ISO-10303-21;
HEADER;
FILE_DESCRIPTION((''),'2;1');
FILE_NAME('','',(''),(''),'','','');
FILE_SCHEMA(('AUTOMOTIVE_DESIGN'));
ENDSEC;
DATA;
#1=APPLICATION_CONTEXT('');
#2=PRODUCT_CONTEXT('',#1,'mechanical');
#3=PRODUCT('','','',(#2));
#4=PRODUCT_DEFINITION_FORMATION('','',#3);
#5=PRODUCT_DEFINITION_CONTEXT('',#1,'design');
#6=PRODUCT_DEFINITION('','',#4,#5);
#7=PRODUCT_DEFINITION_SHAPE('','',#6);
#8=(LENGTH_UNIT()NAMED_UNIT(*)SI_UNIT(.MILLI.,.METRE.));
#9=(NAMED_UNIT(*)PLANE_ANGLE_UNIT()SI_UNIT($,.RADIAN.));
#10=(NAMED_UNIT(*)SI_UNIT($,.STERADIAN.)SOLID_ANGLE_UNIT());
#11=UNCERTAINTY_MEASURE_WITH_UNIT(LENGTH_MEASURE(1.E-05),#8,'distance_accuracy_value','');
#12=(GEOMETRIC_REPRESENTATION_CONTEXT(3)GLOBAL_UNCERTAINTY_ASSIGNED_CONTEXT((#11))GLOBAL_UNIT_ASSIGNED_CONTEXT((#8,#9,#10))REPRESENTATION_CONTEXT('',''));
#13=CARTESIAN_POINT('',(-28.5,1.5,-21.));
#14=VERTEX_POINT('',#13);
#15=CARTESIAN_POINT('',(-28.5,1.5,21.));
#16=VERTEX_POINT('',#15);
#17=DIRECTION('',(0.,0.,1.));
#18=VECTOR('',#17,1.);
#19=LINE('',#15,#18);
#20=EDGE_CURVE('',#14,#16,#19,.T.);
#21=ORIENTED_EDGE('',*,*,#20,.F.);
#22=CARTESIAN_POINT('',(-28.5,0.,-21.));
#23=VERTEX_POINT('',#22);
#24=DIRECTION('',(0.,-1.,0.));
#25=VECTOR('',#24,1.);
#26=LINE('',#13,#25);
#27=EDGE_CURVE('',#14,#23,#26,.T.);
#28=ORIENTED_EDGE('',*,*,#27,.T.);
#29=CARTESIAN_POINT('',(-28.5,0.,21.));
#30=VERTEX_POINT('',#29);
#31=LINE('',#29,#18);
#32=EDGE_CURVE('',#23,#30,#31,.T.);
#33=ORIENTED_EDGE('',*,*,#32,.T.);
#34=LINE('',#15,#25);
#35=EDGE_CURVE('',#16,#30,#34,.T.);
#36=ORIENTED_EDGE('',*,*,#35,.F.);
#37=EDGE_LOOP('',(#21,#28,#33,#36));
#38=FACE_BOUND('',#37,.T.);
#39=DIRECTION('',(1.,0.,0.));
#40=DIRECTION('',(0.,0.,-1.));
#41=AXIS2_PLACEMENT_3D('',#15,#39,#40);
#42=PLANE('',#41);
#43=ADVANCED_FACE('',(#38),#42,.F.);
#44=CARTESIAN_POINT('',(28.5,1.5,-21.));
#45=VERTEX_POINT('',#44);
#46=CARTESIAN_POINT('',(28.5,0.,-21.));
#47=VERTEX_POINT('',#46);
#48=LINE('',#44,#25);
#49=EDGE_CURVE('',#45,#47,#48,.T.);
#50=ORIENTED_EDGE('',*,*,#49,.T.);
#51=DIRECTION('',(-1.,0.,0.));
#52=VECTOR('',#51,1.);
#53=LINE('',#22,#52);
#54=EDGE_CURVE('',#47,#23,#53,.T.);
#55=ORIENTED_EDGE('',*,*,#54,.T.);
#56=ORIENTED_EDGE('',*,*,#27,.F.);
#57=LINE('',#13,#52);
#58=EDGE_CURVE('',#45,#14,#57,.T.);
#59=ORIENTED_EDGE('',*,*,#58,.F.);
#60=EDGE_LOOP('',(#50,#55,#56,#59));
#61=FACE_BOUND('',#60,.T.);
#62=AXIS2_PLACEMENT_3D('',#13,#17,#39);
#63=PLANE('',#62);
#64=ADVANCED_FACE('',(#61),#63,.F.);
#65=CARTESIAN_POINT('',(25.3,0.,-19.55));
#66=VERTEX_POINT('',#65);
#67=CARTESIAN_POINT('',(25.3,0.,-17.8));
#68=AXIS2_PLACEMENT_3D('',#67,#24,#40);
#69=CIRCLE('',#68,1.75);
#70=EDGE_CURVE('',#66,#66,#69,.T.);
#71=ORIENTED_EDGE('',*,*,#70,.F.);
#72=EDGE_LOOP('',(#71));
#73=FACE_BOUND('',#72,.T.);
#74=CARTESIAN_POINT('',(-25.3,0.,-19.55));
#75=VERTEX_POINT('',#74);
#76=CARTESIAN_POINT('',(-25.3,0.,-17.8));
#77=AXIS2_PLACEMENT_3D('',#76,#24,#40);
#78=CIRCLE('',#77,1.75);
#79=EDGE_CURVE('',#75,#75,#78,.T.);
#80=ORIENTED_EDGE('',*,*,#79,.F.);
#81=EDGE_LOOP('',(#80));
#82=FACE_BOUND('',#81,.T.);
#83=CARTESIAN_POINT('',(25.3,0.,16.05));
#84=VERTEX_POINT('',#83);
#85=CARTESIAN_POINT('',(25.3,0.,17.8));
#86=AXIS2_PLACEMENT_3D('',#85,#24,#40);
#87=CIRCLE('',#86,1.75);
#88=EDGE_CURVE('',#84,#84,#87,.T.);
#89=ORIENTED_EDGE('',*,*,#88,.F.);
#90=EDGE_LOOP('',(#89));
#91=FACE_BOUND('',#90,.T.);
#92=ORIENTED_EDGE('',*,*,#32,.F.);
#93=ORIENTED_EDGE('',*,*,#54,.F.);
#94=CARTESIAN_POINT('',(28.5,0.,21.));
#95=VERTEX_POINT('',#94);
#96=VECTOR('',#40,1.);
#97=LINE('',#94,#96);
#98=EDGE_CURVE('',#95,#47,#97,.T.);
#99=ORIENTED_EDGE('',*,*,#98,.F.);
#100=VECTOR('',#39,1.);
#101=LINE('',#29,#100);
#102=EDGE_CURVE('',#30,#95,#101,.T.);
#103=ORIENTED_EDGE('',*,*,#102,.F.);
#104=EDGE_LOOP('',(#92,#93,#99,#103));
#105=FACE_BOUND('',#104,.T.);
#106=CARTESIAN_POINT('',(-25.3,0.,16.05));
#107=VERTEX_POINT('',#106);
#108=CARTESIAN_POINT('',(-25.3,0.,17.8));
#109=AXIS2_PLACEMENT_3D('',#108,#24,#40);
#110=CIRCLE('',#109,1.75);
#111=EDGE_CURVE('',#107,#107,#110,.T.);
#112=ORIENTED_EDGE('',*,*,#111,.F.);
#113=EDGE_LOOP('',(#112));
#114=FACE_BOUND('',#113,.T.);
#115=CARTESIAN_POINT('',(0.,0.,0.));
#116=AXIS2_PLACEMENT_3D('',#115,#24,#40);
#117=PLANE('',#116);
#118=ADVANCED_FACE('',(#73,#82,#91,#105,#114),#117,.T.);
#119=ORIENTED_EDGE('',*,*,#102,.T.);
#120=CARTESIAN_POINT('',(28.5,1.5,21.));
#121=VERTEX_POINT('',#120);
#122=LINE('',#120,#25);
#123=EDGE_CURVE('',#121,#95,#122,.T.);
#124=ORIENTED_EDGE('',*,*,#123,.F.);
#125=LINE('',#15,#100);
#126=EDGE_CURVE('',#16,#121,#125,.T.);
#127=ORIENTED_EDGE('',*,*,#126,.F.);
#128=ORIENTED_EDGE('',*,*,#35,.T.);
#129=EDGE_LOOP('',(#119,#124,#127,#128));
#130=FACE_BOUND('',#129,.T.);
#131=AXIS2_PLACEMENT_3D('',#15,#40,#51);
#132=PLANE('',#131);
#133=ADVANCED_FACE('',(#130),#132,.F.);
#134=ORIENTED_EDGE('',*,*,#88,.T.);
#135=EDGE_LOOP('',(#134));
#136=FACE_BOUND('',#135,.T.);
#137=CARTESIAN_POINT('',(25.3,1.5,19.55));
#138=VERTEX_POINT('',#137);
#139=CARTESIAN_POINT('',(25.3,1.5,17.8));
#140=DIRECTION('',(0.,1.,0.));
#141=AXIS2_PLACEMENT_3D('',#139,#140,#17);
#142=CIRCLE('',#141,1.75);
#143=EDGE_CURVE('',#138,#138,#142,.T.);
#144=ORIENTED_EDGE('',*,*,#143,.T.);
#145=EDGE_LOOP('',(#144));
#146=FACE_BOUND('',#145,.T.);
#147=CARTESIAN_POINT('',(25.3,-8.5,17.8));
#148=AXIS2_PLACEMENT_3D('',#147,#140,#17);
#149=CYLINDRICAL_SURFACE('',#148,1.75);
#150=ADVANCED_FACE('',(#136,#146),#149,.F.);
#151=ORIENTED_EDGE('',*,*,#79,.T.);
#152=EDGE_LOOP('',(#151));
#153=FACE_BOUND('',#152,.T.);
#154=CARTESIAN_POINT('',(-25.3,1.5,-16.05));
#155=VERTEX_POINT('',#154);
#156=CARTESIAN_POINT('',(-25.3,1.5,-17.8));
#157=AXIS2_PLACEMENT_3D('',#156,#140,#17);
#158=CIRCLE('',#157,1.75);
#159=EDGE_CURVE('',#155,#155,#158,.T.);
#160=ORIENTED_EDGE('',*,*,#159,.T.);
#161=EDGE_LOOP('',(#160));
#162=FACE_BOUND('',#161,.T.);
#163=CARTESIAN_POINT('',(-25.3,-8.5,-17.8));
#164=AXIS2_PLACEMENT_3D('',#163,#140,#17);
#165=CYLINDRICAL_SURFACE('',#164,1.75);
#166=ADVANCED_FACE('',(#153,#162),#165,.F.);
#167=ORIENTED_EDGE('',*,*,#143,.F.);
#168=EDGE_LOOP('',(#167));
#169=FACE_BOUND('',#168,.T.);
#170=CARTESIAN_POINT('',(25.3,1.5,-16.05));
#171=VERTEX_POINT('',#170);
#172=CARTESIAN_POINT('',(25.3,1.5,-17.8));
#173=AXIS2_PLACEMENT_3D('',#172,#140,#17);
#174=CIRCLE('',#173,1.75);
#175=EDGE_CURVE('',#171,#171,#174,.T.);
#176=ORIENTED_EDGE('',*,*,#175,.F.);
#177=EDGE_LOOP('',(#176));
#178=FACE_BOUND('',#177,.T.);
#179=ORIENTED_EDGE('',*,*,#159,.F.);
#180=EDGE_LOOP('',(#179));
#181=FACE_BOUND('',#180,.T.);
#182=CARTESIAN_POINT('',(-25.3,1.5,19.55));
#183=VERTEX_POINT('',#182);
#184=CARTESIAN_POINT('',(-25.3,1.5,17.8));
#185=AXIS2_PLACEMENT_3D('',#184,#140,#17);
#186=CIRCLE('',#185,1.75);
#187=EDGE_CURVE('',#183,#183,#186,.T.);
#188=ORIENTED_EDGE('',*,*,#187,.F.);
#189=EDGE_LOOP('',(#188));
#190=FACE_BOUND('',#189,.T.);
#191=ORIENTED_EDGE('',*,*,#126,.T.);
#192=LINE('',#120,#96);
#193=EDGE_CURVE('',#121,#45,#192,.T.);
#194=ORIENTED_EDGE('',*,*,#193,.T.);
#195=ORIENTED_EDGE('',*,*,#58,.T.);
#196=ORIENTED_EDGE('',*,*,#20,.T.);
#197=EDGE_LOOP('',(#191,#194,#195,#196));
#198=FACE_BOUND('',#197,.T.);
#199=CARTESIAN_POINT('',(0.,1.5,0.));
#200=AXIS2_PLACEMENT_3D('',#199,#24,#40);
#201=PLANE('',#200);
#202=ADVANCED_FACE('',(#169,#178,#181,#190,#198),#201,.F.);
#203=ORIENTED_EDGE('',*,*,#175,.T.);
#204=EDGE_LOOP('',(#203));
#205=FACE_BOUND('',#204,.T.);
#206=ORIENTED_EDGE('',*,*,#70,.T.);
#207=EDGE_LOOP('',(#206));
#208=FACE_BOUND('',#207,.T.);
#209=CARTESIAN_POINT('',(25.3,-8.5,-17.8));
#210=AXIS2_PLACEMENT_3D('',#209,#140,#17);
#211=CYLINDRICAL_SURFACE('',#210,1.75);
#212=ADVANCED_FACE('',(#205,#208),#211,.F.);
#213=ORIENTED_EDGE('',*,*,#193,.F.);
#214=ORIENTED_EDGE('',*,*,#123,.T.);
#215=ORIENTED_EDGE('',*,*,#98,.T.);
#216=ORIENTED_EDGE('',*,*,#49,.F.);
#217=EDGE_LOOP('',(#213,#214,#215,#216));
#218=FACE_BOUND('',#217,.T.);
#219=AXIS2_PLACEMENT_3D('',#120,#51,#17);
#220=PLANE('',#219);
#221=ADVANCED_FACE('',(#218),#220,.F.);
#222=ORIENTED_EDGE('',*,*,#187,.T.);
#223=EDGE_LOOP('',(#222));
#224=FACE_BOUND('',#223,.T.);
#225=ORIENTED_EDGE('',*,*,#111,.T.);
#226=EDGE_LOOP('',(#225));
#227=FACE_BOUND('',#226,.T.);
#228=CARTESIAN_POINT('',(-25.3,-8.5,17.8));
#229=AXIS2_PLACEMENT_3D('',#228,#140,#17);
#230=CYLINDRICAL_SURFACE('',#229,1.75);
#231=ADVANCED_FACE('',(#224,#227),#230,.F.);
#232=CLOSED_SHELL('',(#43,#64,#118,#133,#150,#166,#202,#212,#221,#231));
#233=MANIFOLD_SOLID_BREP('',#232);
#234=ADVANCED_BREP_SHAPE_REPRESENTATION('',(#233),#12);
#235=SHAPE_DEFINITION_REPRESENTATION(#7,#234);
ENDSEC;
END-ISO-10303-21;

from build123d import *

# Parameters (mm, degrees)
SKETCH1_W           = 57
SKETCH1_H           = 42
BOSS_EXTRUDE1_DEPTH = 1.5
SKETCH2_R           = 1.75
CUT_EXTRUDE1_DEPTH  = 10


with BuildPart() as part:
    # Sketch1 → Boss-Extrude1 (new body)
    with BuildSketch(Plane(origin=(0, 0, 0), x_dir=(1, 0, 0), z_dir=(0, 1, 0))):
        Rectangle(SKETCH1_W, SKETCH1_H)
    extrude(amount=BOSS_EXTRUDE1_DEPTH)

    # Sketch2 → Cut-Extrude1 (cut)
    with BuildSketch(Plane(origin=(0, 1.5, 0), x_dir=(1, 0, 0), z_dir=(0, 1, 0))):
        with Locations(Location((-25.3, 17.8, 0), (0, 0, 270))):
            Circle(SKETCH2_R)
        with Locations(Location((-25.3, -17.8, 0), (0, 0, 270))):
            Circle(SKETCH2_R)
        with Locations(Location((25.3, -17.8, 0), (0, 0, 270))):
            Circle(SKETCH2_R)
        with Locations(Location((25.3, 17.8, 0), (0, 0, 270))):
            Circle(SKETCH2_R)
    extrude(amount=-CUT_EXTRUDE1_DEPTH, mode=Mode.SUBTRACT)


solid = part.part
